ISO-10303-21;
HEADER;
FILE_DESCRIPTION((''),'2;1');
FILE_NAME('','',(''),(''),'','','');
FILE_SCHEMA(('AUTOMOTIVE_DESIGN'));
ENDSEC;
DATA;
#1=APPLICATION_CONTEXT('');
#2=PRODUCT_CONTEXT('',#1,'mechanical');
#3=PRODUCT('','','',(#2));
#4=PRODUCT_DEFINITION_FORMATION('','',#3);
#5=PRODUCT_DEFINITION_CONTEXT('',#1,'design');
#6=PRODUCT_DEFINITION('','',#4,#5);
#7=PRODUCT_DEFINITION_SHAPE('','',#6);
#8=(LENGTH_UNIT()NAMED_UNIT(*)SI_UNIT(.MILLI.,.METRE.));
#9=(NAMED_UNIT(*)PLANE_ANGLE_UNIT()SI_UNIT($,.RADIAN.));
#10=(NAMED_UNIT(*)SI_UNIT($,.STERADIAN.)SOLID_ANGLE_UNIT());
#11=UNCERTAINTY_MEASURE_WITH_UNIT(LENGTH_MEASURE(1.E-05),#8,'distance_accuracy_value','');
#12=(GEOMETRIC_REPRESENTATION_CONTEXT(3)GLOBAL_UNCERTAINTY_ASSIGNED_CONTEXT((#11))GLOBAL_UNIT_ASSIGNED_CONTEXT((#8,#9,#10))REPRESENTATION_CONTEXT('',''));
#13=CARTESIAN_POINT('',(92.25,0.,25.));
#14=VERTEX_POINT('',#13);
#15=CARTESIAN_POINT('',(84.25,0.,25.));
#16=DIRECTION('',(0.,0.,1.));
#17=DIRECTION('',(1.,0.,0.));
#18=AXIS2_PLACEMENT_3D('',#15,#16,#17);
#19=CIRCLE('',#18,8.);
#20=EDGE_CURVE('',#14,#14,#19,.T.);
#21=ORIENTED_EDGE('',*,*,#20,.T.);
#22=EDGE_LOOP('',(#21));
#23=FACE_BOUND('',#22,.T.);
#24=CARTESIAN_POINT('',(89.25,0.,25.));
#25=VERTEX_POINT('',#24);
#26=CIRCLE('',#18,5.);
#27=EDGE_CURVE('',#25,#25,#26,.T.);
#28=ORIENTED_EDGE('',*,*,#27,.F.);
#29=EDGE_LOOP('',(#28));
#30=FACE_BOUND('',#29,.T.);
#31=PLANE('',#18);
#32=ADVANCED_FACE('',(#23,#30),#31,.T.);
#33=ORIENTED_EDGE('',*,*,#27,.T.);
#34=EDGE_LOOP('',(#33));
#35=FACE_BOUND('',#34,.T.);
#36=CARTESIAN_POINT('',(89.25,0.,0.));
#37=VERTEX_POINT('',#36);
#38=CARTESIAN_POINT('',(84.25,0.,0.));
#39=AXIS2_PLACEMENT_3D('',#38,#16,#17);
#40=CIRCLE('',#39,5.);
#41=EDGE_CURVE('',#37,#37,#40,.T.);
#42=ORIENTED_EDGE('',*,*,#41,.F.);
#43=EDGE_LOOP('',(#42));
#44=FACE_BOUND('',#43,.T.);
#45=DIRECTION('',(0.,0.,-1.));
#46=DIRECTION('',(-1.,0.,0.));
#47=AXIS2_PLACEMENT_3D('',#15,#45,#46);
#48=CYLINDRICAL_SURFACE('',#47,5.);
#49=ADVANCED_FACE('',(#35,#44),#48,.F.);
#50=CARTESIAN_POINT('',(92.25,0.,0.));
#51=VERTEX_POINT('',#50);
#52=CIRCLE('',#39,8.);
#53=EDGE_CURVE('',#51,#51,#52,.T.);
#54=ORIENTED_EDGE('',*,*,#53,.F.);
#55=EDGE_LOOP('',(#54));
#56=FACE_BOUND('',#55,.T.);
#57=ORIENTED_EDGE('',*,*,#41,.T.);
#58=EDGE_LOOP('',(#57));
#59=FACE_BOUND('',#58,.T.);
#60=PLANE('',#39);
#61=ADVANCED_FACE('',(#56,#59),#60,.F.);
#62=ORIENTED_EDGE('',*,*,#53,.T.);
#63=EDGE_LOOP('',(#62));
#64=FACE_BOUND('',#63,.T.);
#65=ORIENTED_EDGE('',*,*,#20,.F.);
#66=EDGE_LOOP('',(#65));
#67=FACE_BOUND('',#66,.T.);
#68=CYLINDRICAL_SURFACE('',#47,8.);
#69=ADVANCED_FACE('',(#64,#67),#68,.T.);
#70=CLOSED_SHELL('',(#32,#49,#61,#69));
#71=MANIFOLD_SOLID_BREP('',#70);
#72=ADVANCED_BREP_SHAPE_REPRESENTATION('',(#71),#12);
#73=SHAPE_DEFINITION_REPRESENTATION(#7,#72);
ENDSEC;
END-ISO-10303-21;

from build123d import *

# Parameters (mm, degrees)
SKETCH1_R           = 8
SKETCH1_R_2         = 5
BOSS_EXTRUDE1_DEPTH = 25


with BuildPart() as part:
    # Sketch1 → Boss-Extrude1 (new body)
    with BuildSketch(Plane.XY):
        with Locations((84.25, 0)):
            Circle(SKETCH1_R)
        with Locations((84.25, 0)):
            Circle(SKETCH1_R_2, mode=Mode.SUBTRACT)
    extrude(amount=BOSS_EXTRUDE1_DEPTH)


solid = part.part
